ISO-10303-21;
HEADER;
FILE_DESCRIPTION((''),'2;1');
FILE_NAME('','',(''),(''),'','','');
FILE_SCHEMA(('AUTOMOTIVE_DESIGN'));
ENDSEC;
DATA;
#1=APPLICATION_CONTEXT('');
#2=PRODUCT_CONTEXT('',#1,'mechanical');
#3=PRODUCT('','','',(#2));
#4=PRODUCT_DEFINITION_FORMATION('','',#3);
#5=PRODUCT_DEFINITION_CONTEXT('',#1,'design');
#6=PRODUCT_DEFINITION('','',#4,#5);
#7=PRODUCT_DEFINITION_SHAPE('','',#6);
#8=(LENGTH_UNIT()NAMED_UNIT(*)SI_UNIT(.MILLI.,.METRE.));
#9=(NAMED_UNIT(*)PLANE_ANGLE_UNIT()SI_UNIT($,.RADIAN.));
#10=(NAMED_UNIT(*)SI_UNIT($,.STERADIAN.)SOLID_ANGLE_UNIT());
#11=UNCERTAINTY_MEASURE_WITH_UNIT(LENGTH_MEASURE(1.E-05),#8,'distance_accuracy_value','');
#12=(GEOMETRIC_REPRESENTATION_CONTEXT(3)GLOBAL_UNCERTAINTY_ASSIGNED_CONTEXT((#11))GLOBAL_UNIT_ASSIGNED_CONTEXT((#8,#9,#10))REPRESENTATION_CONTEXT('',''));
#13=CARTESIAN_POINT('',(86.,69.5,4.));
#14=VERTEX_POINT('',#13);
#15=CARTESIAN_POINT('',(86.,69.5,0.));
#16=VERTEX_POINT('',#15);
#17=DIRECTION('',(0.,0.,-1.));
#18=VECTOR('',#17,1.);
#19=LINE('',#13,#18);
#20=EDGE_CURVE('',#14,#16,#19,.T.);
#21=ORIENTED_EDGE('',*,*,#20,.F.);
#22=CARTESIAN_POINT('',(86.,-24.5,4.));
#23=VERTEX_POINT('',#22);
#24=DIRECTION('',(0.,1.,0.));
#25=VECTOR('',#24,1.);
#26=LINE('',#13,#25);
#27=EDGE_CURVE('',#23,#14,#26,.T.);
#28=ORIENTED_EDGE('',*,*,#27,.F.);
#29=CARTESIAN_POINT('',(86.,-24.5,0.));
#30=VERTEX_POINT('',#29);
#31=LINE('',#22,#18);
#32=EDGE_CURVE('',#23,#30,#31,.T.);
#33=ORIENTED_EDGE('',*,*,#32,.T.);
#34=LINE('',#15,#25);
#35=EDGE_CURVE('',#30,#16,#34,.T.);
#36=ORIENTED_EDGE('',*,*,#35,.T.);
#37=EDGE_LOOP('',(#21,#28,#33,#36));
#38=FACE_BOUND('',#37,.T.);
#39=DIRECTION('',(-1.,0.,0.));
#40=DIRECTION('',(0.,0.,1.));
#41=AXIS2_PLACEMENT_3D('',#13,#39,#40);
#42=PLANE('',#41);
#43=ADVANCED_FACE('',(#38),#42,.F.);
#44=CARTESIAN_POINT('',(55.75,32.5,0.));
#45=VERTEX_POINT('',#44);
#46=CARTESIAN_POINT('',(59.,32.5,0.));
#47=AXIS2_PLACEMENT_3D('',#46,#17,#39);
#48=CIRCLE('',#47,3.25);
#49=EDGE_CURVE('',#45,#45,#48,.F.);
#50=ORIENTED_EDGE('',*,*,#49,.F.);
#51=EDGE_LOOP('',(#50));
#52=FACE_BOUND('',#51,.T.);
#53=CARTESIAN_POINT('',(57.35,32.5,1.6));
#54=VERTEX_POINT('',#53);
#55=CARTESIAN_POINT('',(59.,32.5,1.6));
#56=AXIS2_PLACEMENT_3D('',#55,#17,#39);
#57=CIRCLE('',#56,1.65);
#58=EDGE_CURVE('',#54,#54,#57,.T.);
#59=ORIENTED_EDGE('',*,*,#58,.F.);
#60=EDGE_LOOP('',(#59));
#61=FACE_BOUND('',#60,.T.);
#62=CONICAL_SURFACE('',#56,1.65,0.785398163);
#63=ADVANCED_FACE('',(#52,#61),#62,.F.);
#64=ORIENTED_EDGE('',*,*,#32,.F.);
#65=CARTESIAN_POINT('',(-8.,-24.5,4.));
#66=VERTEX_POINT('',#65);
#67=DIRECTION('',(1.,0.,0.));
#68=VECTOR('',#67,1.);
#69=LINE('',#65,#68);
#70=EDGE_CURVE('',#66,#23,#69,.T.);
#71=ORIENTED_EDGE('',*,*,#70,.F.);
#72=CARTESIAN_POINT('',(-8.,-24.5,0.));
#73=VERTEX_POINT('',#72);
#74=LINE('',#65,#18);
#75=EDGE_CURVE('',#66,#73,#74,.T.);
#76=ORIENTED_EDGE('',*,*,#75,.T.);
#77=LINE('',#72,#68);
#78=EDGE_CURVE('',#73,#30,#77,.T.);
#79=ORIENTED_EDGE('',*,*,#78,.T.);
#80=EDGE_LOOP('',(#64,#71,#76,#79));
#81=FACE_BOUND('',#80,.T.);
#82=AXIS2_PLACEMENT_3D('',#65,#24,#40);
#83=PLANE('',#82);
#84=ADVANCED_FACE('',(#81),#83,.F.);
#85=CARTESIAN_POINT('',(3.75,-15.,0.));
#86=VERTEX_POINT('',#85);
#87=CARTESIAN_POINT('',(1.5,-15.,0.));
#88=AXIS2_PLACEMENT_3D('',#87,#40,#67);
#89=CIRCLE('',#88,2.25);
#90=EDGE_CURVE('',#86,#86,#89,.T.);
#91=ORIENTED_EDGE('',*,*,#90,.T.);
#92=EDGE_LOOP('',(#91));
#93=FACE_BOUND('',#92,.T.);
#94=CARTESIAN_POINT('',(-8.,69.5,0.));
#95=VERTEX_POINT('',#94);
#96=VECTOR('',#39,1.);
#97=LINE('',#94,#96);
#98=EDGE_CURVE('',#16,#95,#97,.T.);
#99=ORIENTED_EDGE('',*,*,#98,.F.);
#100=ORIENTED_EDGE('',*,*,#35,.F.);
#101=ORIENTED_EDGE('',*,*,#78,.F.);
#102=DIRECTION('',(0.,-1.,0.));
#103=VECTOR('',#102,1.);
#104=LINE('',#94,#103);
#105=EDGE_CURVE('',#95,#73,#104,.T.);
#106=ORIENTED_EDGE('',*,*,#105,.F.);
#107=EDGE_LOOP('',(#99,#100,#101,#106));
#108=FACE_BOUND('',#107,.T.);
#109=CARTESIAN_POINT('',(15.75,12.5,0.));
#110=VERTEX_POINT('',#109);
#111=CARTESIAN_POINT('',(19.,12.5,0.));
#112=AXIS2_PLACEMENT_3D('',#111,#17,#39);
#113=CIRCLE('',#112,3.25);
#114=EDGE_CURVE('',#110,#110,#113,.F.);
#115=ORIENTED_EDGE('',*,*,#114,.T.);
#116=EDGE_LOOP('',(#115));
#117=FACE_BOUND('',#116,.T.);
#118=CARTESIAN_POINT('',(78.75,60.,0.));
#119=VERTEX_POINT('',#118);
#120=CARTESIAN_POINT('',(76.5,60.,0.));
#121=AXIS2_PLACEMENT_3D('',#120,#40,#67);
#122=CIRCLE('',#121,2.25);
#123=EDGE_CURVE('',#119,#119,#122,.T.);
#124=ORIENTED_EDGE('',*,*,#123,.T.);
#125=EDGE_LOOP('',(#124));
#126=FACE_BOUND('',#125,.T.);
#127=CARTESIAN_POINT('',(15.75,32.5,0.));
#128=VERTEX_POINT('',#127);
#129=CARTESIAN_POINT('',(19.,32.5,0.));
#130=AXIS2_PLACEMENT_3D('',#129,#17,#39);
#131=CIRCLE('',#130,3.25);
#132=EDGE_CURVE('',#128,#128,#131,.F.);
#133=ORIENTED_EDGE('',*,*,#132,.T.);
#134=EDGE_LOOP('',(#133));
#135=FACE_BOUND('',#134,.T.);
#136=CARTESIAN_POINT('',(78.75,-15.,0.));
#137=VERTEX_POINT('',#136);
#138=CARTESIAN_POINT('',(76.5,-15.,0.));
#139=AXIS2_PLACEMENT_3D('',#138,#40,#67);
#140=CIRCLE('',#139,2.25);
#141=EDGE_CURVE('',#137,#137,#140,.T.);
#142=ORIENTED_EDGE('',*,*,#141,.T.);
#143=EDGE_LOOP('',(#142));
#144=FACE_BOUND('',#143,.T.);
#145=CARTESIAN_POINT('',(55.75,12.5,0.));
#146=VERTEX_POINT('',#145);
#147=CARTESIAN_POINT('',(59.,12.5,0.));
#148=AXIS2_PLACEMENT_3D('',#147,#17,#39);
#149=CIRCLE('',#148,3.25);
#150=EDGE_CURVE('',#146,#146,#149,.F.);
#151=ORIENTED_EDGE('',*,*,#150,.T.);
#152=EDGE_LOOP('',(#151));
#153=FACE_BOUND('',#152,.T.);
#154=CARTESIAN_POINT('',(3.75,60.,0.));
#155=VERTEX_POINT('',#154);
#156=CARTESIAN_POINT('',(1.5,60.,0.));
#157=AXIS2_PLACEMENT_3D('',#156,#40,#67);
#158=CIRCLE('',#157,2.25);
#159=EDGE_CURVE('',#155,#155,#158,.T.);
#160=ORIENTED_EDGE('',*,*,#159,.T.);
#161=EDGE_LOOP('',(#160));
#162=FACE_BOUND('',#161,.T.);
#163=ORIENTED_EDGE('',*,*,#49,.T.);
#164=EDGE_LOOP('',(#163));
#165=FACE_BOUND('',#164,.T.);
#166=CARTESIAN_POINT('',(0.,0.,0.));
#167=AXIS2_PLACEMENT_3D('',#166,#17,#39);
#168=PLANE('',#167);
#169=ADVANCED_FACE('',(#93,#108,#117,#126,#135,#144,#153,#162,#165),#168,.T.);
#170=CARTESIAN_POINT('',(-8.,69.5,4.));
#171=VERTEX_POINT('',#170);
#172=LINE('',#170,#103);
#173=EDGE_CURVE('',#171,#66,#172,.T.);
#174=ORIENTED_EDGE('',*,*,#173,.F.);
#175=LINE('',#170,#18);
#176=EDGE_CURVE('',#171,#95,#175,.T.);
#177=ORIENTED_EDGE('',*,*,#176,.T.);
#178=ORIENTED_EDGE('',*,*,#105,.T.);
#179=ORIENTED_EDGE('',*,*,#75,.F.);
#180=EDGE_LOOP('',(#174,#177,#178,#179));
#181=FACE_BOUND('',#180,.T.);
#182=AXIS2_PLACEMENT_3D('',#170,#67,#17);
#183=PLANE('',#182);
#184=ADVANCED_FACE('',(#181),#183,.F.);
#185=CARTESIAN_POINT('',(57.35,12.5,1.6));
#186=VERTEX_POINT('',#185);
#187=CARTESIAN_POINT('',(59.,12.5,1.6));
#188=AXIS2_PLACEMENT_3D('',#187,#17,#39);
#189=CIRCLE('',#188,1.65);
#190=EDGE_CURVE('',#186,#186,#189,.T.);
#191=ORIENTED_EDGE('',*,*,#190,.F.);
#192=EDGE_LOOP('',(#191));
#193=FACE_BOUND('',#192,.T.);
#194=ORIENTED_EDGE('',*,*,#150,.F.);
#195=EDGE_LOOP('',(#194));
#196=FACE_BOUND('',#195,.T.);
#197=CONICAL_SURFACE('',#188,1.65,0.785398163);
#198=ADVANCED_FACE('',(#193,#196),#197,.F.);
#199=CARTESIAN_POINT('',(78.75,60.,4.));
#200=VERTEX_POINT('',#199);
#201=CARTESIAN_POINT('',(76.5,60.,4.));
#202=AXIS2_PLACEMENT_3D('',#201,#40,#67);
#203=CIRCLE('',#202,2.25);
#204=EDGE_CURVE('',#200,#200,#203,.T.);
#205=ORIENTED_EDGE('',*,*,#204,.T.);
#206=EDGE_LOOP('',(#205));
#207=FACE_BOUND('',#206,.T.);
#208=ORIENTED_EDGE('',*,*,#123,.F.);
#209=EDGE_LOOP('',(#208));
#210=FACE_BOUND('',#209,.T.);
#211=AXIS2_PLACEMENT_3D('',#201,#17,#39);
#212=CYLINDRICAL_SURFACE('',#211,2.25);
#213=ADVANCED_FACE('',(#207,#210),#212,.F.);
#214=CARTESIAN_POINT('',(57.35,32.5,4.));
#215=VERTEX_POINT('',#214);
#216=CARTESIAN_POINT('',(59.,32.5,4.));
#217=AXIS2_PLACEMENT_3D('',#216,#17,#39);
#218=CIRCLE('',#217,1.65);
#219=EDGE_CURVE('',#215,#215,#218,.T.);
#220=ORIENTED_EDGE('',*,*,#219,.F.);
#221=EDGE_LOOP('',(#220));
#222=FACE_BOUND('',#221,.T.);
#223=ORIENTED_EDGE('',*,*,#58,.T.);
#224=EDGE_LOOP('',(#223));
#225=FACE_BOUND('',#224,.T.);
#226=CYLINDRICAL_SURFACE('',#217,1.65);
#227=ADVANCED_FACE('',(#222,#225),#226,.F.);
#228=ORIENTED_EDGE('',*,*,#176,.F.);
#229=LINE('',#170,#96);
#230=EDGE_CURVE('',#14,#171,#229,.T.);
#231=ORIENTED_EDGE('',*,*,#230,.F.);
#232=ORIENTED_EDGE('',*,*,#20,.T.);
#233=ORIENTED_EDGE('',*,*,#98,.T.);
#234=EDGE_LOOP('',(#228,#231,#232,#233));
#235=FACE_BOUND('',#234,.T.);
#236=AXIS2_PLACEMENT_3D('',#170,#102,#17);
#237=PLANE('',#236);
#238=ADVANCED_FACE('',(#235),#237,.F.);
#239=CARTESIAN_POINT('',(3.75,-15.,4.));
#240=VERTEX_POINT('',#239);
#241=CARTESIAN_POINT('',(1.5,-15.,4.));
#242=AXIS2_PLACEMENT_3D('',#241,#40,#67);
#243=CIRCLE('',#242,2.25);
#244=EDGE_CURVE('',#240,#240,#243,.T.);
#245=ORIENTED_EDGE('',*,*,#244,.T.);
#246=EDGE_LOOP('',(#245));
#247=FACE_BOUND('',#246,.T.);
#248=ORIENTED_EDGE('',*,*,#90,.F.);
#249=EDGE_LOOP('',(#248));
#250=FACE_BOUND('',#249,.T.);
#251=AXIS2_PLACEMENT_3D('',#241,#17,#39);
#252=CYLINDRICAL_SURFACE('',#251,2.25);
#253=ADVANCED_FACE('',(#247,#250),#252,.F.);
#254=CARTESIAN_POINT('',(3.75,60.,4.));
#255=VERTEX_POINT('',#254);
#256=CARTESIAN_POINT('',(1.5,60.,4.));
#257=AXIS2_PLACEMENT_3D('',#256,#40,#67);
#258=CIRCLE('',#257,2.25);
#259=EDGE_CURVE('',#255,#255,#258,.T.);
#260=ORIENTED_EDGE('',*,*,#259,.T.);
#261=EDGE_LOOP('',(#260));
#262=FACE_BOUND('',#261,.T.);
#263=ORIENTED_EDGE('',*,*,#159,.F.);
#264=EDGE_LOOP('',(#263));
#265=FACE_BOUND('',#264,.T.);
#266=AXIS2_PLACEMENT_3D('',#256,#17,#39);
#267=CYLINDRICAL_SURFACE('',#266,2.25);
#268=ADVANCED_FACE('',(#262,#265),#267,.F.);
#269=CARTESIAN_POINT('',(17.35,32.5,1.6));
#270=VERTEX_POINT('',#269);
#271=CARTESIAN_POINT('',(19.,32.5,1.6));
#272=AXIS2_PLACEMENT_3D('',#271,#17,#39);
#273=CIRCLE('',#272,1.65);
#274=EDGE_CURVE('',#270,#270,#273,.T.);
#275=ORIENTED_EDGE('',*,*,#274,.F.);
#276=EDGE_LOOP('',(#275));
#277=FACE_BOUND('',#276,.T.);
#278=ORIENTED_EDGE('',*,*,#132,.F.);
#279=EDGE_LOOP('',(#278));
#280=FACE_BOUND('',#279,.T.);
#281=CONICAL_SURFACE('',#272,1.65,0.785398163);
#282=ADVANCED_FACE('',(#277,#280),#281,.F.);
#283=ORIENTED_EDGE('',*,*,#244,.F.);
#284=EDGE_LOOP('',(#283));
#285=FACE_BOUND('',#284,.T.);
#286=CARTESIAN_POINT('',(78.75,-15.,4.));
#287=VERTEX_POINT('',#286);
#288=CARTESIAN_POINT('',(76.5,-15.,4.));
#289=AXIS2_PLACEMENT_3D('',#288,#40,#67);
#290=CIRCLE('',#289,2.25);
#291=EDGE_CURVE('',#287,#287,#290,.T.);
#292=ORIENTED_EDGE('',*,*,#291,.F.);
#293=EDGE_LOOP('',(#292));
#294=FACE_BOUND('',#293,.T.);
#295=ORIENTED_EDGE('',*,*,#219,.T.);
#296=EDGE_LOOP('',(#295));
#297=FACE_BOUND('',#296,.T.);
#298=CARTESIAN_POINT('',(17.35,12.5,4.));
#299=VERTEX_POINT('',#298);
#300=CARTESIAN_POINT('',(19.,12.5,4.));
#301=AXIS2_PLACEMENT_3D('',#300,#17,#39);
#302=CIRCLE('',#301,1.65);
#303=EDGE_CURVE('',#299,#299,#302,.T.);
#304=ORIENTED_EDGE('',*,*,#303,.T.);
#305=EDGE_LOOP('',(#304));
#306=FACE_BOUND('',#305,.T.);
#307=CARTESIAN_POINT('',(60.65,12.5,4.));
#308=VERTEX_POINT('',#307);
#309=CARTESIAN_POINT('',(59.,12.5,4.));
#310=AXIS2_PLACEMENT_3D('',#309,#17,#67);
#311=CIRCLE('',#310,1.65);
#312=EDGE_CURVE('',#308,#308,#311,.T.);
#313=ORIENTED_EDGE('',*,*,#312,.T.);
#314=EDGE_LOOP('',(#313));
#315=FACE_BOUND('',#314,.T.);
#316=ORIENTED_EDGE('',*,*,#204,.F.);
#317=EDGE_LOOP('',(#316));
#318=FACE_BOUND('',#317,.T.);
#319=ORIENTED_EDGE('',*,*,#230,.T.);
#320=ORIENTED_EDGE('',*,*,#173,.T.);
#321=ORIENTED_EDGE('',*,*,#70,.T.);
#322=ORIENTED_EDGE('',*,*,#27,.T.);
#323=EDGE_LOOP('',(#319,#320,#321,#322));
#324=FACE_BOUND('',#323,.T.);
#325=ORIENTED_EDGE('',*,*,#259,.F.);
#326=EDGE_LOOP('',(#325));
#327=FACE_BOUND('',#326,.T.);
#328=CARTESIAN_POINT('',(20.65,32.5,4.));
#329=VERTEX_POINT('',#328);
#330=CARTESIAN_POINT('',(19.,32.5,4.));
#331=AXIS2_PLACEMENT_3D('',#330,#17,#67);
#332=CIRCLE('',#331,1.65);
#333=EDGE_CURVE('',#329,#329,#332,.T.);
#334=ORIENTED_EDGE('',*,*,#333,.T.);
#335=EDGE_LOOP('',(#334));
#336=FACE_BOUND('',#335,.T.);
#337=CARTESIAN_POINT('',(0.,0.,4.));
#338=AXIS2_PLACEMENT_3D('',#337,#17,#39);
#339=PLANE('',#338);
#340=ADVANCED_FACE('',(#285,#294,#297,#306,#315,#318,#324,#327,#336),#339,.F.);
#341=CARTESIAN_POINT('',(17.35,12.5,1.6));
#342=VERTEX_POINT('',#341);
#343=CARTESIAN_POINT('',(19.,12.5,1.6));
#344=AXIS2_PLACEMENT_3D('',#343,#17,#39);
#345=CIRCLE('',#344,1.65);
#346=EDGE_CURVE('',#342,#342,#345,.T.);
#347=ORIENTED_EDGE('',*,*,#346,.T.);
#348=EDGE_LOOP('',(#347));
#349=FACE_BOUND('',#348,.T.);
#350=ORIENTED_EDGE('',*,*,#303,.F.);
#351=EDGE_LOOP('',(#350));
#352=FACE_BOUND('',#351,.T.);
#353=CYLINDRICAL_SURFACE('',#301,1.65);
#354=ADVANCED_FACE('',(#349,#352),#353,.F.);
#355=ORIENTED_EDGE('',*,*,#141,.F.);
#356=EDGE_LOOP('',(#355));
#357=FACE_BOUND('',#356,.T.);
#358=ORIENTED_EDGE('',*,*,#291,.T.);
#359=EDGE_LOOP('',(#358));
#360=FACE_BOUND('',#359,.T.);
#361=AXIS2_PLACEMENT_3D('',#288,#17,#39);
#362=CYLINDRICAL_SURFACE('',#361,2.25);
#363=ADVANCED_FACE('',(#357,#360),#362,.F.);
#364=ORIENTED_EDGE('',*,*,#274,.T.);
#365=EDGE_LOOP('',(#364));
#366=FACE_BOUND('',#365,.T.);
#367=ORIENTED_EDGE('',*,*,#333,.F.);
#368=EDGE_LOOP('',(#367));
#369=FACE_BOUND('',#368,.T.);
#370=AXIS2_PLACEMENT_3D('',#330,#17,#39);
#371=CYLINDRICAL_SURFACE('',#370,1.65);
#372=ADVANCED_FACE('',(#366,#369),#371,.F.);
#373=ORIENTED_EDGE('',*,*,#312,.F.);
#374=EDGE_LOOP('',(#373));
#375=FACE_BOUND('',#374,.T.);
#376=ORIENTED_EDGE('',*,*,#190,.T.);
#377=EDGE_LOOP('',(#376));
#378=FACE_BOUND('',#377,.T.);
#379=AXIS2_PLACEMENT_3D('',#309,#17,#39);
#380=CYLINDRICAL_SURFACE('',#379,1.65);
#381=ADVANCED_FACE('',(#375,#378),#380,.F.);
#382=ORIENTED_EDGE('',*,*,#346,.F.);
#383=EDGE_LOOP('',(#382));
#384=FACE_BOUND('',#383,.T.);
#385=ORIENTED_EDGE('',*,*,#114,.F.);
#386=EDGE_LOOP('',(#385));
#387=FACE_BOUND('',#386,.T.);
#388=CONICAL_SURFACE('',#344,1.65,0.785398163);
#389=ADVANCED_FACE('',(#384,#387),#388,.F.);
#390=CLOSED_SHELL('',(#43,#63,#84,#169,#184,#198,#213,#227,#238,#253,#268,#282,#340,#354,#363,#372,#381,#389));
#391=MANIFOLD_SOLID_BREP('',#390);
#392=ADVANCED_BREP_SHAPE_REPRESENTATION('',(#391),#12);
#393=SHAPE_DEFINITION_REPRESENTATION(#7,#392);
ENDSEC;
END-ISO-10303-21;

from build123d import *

# Parameters (mm, degrees)
SKETCH1_W           = 78
SKETCH1_H           = 45
SKETCH1_R           = 1.6
BOSS_EXTRUDE1_DEPTH = 4
SKETCH5_W           = 94
SKETCH5_H           = 94
SKETCH5_R           = 2.25
BOSS_EXTRUDE3_DEPTH = 4
SKETCH6_R           = 1.65
CUT_EXTRUDE1_DEPTH  = 5
CHAMFER1_SIZE       = 1.6


with BuildPart() as part:
    # Sketch1 → Boss-Extrude1 (new body)
    with BuildSketch(Plane.XY):
        with Locations((39, 22.5)):
            Rectangle(SKETCH1_W, SKETCH1_H)
        with Locations((19, 32.5)):
            Circle(SKETCH1_R, mode=Mode.SUBTRACT)
        with Locations((59, 32.5)):
            Circle(SKETCH1_R, mode=Mode.SUBTRACT)
        with Locations((59, 12.5)):
            Circle(SKETCH1_R, mode=Mode.SUBTRACT)
        with Locations((19, 12.5)):
            Circle(SKETCH1_R, mode=Mode.SUBTRACT)
    extrude(amount=BOSS_EXTRUDE1_DEPTH)

    # Sketch5 → Boss-Extrude3 (add)
    with BuildSketch(Plane.XY):
        with Locations((39, 22.5)):
            Rectangle(SKETCH5_W, SKETCH5_H)
        with Locations((1.5, 60)):
            Circle(SKETCH5_R, mode=Mode.SUBTRACT)
        with Locations((76.5, 60)):
            Circle(SKETCH5_R, mode=Mode.SUBTRACT)
        with Locations((76.5, -15)):
            Circle(SKETCH5_R, mode=Mode.SUBTRACT)
        with Locations((1.5, -15)):
            Circle(SKETCH5_R, mode=Mode.SUBTRACT)
    extrude(amount=BOSS_EXTRUDE3_DEPTH)

    # Sketch6 → Cut-Extrude1 (cut, through all)
    with BuildSketch(Plane(origin=(0, 0, 0), x_dir=(-1, 0, 0), z_dir=(0, 0, -1))):
        with Locations((-59, 32.5)):
            Circle(SKETCH6_R)
        with Locations((-59, 12.5)):
            Circle(SKETCH6_R)
        with Locations((-19, 12.5)):
            Circle(SKETCH6_R)
        with Locations((-19, 32.5)):
            Circle(SKETCH6_R)
    extrude(amount=-CUT_EXTRUDE1_DEPTH, mode=Mode.SUBTRACT)

    # Chamfer1
    chamfer1_edges = [part.edges().sort_by_distance(p)[0] for p in [
        (20.65, 32.5, 0),
        (20.65, 12.5, 0),
        (60.65, 12.5, 0),
        (60.65, 32.5, 0),
    ]]
    chamfer(chamfer1_edges, length=CHAMFER1_SIZE)


solid = part.part
